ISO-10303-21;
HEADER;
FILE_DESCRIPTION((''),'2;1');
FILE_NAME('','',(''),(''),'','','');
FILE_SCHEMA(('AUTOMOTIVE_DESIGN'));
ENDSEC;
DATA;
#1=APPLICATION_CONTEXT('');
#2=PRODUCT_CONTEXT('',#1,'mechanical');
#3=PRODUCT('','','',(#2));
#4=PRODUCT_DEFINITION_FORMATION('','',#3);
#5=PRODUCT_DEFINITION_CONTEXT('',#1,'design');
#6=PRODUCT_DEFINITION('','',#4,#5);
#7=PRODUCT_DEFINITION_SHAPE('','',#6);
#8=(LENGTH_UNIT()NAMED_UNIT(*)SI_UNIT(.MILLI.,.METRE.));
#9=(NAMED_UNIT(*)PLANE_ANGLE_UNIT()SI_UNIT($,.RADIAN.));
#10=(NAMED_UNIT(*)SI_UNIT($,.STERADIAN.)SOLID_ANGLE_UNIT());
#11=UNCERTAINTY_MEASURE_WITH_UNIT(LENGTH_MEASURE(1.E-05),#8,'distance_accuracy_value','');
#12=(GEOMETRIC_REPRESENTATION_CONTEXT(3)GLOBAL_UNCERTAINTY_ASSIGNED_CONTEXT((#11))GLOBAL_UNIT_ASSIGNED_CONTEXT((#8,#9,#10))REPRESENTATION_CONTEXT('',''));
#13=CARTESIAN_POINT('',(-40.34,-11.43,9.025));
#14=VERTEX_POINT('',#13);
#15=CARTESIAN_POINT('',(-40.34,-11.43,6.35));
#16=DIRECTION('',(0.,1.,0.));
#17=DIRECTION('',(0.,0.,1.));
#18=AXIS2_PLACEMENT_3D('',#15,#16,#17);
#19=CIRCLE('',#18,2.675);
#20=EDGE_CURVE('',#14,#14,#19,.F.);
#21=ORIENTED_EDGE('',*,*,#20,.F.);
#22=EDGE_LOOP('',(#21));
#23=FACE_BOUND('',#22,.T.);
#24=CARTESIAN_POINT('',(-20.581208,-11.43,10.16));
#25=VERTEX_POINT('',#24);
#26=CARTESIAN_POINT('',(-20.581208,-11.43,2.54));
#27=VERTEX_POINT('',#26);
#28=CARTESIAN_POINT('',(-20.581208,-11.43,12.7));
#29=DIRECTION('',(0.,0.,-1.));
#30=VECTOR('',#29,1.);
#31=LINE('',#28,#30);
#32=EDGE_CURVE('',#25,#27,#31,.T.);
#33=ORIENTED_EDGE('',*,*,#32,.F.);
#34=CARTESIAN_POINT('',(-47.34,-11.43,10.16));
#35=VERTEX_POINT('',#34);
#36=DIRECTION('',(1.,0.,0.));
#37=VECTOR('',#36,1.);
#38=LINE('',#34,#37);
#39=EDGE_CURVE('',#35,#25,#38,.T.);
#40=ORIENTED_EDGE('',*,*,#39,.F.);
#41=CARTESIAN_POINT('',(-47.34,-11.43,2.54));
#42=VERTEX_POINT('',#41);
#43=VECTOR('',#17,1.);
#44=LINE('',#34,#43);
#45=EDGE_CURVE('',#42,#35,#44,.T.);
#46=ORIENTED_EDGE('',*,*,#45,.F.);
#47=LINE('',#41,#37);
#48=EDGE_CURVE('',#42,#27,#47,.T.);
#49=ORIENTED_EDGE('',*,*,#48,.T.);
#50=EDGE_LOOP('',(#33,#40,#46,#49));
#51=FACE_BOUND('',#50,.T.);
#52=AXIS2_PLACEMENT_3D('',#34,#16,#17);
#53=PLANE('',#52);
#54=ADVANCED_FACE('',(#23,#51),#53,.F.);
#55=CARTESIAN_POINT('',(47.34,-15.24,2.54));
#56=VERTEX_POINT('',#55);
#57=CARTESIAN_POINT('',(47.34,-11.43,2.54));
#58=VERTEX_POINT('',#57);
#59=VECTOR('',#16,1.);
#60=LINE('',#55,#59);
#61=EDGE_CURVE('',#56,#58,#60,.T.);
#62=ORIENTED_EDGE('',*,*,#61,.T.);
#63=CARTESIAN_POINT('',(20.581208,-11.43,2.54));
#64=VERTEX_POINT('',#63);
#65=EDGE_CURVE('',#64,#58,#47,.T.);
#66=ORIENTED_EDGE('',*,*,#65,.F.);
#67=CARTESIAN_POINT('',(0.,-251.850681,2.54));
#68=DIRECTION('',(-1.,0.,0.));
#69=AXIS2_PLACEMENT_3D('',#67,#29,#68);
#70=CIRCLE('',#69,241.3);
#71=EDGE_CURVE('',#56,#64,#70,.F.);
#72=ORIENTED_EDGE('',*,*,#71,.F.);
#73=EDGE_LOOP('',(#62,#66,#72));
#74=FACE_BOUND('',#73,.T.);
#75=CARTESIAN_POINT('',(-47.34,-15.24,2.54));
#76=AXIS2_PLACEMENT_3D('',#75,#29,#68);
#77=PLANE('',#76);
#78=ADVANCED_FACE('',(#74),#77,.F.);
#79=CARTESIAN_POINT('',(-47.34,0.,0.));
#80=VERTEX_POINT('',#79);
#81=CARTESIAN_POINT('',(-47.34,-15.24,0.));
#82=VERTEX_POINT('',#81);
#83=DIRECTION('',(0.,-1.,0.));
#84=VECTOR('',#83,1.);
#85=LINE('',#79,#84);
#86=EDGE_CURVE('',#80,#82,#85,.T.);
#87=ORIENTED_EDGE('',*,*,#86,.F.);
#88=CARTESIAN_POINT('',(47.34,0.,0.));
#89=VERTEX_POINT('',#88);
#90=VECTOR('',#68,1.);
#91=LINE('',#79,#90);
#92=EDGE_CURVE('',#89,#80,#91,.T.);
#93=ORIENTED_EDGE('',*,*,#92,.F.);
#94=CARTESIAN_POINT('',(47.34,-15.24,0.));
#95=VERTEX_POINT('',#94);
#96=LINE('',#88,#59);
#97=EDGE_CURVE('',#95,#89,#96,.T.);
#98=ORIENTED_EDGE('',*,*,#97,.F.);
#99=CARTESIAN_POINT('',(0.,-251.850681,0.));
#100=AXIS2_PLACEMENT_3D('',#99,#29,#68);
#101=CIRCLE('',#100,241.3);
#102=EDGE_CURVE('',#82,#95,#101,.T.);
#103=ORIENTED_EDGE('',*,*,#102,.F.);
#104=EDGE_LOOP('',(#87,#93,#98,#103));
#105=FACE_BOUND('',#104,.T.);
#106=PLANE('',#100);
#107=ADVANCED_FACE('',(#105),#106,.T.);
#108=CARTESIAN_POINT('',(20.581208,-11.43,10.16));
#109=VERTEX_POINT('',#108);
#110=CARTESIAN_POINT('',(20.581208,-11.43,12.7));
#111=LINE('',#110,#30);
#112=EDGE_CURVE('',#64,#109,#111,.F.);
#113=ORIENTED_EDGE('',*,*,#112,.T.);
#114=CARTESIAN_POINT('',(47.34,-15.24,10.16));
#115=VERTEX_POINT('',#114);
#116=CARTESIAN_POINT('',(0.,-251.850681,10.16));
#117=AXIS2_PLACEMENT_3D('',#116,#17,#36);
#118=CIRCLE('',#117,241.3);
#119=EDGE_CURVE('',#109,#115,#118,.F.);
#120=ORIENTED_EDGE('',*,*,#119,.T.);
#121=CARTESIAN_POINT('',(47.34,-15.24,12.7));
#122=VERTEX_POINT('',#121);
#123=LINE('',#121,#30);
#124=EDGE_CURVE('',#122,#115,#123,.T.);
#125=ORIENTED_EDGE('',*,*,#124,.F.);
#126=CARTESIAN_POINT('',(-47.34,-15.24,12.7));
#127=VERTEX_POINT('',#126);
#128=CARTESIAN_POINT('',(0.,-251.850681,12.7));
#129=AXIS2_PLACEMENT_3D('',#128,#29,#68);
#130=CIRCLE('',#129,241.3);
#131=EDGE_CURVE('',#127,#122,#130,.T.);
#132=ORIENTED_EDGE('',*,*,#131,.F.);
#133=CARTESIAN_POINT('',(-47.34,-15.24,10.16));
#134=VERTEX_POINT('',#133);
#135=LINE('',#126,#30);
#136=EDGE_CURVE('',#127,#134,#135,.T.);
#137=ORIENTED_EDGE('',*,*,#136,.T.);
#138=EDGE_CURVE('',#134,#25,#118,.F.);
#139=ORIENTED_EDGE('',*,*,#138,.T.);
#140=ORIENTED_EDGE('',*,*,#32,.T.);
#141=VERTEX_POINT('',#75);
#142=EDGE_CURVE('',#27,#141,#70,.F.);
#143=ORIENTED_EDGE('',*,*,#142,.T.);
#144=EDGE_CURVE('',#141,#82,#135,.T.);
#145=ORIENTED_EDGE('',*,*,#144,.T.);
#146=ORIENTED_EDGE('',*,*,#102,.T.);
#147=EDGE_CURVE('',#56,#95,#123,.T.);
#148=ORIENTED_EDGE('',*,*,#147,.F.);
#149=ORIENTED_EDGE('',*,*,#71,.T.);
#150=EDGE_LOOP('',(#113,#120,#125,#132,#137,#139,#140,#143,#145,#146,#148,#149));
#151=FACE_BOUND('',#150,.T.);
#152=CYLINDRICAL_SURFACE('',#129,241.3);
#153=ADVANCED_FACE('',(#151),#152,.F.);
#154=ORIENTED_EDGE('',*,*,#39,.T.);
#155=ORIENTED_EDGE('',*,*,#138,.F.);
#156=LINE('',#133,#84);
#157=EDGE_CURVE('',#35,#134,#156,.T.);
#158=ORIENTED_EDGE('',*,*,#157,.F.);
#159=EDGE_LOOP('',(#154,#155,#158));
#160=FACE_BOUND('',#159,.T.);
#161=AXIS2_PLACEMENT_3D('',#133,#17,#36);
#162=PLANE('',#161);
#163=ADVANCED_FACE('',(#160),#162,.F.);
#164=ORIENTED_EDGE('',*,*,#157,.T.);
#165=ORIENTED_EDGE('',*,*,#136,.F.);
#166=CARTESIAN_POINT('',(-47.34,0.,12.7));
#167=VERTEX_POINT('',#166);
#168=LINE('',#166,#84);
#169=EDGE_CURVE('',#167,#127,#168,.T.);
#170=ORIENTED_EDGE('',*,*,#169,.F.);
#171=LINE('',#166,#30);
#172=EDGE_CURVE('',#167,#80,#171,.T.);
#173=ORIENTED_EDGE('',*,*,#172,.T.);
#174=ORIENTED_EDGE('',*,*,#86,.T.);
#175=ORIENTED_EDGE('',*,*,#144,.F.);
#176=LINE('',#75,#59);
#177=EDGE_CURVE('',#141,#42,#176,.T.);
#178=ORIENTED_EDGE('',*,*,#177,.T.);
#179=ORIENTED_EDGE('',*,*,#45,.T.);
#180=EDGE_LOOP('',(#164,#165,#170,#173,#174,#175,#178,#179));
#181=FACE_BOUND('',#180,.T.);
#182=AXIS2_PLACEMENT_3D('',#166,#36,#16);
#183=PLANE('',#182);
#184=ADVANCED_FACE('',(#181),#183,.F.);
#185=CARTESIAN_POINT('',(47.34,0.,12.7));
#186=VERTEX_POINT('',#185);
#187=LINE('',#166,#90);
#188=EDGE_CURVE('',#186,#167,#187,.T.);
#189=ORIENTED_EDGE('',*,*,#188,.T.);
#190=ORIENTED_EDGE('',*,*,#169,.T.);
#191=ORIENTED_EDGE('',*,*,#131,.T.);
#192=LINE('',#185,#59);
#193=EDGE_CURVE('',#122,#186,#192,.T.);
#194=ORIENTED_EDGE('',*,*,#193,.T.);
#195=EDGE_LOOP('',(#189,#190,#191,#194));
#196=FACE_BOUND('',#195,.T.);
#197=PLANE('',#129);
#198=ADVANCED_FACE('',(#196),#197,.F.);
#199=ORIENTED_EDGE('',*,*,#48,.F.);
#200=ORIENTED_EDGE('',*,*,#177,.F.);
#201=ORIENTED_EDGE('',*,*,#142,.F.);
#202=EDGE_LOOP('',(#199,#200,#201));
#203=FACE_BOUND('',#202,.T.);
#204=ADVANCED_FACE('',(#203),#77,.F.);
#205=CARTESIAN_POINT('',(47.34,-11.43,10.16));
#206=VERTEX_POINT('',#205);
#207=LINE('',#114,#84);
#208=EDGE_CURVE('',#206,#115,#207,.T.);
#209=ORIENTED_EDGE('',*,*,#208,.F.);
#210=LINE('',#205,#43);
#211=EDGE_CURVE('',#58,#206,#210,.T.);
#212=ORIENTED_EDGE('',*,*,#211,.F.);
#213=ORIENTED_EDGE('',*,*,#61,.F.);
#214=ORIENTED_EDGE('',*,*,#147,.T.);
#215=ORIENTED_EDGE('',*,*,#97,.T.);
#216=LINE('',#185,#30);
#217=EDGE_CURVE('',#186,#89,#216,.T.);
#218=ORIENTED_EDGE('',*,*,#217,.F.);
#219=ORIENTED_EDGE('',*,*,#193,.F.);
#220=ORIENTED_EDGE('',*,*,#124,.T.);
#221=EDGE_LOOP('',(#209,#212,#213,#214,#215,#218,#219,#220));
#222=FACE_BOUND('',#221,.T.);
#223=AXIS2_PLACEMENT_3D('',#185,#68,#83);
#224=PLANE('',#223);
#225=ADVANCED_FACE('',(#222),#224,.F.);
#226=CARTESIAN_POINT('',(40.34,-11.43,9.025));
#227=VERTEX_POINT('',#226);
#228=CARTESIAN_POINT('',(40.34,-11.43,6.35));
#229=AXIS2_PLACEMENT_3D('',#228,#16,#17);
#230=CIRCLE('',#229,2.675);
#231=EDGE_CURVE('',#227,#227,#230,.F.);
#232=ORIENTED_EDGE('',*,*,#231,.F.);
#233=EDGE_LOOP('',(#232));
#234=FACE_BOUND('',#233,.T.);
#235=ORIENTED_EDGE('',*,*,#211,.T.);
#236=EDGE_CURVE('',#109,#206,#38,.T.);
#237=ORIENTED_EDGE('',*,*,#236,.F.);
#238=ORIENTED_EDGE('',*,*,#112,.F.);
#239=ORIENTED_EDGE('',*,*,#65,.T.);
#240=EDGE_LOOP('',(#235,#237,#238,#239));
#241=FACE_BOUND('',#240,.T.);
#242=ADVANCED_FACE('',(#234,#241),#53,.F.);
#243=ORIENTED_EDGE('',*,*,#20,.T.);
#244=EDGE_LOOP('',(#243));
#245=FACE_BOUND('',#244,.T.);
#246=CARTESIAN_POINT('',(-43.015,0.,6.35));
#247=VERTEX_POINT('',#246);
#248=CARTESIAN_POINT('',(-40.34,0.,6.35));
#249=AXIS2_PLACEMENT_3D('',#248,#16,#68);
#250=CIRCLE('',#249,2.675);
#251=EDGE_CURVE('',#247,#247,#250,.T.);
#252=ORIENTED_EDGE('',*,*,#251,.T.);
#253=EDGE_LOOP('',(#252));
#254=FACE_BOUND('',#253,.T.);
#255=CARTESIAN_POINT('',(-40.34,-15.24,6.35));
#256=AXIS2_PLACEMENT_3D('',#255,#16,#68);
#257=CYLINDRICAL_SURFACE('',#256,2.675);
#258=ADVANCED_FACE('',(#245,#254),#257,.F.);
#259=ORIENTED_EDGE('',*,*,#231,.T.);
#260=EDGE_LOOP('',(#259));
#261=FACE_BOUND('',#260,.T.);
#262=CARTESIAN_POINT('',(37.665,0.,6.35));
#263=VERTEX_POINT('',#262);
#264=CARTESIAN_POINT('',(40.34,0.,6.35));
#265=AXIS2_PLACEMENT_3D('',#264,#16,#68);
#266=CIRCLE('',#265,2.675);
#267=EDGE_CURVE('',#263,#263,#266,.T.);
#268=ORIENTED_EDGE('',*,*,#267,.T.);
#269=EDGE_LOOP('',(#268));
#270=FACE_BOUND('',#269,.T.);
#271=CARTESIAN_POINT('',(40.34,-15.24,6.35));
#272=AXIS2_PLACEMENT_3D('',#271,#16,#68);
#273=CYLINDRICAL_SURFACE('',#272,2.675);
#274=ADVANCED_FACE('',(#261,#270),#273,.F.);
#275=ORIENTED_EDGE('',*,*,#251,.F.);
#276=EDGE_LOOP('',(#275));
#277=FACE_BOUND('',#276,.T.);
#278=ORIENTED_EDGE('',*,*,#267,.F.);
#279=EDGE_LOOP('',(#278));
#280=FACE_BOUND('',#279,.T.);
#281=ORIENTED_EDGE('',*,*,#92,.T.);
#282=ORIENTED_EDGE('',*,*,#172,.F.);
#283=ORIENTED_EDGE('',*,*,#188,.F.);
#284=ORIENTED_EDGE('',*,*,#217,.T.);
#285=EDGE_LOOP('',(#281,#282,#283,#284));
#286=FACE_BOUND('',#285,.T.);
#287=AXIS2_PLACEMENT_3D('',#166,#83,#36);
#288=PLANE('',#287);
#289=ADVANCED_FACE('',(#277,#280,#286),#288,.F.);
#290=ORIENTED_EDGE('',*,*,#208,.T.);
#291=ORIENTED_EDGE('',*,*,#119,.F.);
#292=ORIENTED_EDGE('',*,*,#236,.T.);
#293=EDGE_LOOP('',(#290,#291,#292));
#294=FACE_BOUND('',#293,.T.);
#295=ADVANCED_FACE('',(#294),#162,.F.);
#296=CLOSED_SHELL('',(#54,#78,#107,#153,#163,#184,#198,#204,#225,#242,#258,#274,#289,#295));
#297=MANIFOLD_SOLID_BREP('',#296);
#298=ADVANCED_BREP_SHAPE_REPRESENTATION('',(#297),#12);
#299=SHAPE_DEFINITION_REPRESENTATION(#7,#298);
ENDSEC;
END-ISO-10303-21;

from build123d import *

# Parameters (mm, degrees)
BOSS_EXTRUDE1_DEPTH = 12.7
SKETCH2_R           = 2.675
CUT_EXTRUDE1_DEPTH  = 16.24
SKETCH3_W           = 7.62
SKETCH3_H           = 3.81
CUT_EXTRUDE2_DEPTH  = 95.6800001


with BuildPart() as part:
    # Sketch1 → Boss-Extrude1 (new body)
    with BuildSketch(Plane.XY):
        with BuildLine():
            Line((-47.34, 0), (47.34, 0))
            Line((47.34, 0), (47.34, -15.24))
            ThreePointArc((47.34, -15.24), (0, -10.550681078), (-47.34, -15.24))
            Line((-47.34, -15.24), (-47.34, 0))
        make_face()
    extrude(amount=BOSS_EXTRUDE1_DEPTH)

    # Sketch2 → Cut-Extrude1 (cut, through all)
    with BuildSketch(Plane(origin=(0, 0, 0), x_dir=(1, 0, 0), z_dir=(0, 1, 0))):
        with Locations((-40.34, -6.35)):
            Circle(SKETCH2_R)
        with Locations((40.34, -6.35)):
            Circle(SKETCH2_R)
    extrude(amount=-CUT_EXTRUDE1_DEPTH, mode=Mode.SUBTRACT)

    # Sketch3 → Cut-Extrude2 (cut, through all)
    with BuildSketch(Plane(origin=(47.34, 0, 0), x_dir=(0, 0, -1), z_dir=(1, 0, 0))):
        with Locations((-6.35, -13.335)):
            Rectangle(SKETCH3_W, SKETCH3_H)
    extrude(amount=-CUT_EXTRUDE2_DEPTH, mode=Mode.SUBTRACT)


solid = part.part
